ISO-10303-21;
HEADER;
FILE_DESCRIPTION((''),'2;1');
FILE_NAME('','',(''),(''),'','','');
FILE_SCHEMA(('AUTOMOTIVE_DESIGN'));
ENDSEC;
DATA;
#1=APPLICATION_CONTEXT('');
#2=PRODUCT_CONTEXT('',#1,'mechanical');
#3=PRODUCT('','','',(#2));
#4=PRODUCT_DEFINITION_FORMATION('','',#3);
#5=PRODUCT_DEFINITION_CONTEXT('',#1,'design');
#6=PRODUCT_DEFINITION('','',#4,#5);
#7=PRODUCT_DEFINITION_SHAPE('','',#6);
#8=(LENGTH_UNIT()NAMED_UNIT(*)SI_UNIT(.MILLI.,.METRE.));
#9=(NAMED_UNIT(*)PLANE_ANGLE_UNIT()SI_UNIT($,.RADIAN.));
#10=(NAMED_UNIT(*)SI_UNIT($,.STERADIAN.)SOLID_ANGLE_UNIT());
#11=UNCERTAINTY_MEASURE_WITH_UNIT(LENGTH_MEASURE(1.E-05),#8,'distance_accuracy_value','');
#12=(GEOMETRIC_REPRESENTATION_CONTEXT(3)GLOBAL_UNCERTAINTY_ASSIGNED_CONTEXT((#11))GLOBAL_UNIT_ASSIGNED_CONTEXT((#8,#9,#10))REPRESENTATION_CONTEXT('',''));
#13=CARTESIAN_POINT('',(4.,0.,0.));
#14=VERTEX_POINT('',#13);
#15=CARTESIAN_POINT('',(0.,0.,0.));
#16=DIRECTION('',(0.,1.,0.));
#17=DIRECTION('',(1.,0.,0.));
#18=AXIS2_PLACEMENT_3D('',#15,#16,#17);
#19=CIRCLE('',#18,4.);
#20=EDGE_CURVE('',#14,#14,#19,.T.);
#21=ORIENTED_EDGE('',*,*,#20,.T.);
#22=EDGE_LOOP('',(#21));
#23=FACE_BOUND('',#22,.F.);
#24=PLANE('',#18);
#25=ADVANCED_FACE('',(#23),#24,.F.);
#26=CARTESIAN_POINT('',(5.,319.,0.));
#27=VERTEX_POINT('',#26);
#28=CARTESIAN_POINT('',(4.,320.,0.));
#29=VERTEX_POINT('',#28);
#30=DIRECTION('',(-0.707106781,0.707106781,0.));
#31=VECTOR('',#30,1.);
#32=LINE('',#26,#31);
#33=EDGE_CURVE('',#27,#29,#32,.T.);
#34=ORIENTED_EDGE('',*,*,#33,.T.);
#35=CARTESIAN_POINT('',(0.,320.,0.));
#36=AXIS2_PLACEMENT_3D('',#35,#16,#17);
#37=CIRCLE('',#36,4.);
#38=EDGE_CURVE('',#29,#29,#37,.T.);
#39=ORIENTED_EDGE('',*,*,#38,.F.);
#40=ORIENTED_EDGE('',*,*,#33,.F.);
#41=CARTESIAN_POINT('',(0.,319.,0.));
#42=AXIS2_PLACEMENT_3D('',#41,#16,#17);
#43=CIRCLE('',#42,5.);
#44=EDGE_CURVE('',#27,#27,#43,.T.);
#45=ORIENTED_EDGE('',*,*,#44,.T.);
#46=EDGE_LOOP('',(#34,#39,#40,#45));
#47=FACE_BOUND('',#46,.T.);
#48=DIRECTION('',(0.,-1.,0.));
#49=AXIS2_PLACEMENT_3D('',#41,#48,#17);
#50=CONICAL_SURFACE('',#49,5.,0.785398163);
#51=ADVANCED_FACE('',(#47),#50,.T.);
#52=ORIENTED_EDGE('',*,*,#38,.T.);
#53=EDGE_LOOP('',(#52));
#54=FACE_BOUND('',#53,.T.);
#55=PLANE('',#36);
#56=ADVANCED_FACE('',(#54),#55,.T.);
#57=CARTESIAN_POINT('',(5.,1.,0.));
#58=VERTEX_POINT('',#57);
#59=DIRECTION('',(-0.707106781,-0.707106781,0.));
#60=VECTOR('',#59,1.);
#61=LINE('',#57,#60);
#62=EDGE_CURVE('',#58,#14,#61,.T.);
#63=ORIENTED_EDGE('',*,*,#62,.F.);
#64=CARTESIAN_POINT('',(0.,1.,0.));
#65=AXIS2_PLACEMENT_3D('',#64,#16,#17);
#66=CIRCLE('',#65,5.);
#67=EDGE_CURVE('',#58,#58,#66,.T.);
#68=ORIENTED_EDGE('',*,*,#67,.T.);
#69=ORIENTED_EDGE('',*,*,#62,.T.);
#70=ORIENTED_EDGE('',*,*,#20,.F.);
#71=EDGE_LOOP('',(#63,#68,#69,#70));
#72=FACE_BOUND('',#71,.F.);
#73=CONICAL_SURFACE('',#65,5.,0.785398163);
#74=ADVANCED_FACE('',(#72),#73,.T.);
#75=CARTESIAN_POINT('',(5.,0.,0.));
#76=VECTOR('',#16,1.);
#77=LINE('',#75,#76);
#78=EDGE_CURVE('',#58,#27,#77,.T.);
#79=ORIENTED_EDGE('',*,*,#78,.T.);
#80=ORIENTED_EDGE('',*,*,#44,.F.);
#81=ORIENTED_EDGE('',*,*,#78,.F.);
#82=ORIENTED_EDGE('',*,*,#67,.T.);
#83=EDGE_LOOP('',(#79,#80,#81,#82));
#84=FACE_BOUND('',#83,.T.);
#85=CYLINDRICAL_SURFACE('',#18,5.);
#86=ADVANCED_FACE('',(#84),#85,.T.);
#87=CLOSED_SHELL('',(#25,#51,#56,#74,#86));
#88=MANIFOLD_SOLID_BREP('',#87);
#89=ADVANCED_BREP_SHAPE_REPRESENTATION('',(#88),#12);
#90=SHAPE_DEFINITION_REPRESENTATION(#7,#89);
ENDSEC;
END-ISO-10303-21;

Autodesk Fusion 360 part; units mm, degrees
cylinder "円柱プリミティブ1" add diameter 10 height 320 placed x (1, 0, 0) y (0, 0, -1) z (0, 1, 0) at (0, 0, 0)
chamfer "面取り1" distance 1 angle 45 2 edges at (-4.6616, 320, 1.8081) (-4.6616, 0, -1.8081)
